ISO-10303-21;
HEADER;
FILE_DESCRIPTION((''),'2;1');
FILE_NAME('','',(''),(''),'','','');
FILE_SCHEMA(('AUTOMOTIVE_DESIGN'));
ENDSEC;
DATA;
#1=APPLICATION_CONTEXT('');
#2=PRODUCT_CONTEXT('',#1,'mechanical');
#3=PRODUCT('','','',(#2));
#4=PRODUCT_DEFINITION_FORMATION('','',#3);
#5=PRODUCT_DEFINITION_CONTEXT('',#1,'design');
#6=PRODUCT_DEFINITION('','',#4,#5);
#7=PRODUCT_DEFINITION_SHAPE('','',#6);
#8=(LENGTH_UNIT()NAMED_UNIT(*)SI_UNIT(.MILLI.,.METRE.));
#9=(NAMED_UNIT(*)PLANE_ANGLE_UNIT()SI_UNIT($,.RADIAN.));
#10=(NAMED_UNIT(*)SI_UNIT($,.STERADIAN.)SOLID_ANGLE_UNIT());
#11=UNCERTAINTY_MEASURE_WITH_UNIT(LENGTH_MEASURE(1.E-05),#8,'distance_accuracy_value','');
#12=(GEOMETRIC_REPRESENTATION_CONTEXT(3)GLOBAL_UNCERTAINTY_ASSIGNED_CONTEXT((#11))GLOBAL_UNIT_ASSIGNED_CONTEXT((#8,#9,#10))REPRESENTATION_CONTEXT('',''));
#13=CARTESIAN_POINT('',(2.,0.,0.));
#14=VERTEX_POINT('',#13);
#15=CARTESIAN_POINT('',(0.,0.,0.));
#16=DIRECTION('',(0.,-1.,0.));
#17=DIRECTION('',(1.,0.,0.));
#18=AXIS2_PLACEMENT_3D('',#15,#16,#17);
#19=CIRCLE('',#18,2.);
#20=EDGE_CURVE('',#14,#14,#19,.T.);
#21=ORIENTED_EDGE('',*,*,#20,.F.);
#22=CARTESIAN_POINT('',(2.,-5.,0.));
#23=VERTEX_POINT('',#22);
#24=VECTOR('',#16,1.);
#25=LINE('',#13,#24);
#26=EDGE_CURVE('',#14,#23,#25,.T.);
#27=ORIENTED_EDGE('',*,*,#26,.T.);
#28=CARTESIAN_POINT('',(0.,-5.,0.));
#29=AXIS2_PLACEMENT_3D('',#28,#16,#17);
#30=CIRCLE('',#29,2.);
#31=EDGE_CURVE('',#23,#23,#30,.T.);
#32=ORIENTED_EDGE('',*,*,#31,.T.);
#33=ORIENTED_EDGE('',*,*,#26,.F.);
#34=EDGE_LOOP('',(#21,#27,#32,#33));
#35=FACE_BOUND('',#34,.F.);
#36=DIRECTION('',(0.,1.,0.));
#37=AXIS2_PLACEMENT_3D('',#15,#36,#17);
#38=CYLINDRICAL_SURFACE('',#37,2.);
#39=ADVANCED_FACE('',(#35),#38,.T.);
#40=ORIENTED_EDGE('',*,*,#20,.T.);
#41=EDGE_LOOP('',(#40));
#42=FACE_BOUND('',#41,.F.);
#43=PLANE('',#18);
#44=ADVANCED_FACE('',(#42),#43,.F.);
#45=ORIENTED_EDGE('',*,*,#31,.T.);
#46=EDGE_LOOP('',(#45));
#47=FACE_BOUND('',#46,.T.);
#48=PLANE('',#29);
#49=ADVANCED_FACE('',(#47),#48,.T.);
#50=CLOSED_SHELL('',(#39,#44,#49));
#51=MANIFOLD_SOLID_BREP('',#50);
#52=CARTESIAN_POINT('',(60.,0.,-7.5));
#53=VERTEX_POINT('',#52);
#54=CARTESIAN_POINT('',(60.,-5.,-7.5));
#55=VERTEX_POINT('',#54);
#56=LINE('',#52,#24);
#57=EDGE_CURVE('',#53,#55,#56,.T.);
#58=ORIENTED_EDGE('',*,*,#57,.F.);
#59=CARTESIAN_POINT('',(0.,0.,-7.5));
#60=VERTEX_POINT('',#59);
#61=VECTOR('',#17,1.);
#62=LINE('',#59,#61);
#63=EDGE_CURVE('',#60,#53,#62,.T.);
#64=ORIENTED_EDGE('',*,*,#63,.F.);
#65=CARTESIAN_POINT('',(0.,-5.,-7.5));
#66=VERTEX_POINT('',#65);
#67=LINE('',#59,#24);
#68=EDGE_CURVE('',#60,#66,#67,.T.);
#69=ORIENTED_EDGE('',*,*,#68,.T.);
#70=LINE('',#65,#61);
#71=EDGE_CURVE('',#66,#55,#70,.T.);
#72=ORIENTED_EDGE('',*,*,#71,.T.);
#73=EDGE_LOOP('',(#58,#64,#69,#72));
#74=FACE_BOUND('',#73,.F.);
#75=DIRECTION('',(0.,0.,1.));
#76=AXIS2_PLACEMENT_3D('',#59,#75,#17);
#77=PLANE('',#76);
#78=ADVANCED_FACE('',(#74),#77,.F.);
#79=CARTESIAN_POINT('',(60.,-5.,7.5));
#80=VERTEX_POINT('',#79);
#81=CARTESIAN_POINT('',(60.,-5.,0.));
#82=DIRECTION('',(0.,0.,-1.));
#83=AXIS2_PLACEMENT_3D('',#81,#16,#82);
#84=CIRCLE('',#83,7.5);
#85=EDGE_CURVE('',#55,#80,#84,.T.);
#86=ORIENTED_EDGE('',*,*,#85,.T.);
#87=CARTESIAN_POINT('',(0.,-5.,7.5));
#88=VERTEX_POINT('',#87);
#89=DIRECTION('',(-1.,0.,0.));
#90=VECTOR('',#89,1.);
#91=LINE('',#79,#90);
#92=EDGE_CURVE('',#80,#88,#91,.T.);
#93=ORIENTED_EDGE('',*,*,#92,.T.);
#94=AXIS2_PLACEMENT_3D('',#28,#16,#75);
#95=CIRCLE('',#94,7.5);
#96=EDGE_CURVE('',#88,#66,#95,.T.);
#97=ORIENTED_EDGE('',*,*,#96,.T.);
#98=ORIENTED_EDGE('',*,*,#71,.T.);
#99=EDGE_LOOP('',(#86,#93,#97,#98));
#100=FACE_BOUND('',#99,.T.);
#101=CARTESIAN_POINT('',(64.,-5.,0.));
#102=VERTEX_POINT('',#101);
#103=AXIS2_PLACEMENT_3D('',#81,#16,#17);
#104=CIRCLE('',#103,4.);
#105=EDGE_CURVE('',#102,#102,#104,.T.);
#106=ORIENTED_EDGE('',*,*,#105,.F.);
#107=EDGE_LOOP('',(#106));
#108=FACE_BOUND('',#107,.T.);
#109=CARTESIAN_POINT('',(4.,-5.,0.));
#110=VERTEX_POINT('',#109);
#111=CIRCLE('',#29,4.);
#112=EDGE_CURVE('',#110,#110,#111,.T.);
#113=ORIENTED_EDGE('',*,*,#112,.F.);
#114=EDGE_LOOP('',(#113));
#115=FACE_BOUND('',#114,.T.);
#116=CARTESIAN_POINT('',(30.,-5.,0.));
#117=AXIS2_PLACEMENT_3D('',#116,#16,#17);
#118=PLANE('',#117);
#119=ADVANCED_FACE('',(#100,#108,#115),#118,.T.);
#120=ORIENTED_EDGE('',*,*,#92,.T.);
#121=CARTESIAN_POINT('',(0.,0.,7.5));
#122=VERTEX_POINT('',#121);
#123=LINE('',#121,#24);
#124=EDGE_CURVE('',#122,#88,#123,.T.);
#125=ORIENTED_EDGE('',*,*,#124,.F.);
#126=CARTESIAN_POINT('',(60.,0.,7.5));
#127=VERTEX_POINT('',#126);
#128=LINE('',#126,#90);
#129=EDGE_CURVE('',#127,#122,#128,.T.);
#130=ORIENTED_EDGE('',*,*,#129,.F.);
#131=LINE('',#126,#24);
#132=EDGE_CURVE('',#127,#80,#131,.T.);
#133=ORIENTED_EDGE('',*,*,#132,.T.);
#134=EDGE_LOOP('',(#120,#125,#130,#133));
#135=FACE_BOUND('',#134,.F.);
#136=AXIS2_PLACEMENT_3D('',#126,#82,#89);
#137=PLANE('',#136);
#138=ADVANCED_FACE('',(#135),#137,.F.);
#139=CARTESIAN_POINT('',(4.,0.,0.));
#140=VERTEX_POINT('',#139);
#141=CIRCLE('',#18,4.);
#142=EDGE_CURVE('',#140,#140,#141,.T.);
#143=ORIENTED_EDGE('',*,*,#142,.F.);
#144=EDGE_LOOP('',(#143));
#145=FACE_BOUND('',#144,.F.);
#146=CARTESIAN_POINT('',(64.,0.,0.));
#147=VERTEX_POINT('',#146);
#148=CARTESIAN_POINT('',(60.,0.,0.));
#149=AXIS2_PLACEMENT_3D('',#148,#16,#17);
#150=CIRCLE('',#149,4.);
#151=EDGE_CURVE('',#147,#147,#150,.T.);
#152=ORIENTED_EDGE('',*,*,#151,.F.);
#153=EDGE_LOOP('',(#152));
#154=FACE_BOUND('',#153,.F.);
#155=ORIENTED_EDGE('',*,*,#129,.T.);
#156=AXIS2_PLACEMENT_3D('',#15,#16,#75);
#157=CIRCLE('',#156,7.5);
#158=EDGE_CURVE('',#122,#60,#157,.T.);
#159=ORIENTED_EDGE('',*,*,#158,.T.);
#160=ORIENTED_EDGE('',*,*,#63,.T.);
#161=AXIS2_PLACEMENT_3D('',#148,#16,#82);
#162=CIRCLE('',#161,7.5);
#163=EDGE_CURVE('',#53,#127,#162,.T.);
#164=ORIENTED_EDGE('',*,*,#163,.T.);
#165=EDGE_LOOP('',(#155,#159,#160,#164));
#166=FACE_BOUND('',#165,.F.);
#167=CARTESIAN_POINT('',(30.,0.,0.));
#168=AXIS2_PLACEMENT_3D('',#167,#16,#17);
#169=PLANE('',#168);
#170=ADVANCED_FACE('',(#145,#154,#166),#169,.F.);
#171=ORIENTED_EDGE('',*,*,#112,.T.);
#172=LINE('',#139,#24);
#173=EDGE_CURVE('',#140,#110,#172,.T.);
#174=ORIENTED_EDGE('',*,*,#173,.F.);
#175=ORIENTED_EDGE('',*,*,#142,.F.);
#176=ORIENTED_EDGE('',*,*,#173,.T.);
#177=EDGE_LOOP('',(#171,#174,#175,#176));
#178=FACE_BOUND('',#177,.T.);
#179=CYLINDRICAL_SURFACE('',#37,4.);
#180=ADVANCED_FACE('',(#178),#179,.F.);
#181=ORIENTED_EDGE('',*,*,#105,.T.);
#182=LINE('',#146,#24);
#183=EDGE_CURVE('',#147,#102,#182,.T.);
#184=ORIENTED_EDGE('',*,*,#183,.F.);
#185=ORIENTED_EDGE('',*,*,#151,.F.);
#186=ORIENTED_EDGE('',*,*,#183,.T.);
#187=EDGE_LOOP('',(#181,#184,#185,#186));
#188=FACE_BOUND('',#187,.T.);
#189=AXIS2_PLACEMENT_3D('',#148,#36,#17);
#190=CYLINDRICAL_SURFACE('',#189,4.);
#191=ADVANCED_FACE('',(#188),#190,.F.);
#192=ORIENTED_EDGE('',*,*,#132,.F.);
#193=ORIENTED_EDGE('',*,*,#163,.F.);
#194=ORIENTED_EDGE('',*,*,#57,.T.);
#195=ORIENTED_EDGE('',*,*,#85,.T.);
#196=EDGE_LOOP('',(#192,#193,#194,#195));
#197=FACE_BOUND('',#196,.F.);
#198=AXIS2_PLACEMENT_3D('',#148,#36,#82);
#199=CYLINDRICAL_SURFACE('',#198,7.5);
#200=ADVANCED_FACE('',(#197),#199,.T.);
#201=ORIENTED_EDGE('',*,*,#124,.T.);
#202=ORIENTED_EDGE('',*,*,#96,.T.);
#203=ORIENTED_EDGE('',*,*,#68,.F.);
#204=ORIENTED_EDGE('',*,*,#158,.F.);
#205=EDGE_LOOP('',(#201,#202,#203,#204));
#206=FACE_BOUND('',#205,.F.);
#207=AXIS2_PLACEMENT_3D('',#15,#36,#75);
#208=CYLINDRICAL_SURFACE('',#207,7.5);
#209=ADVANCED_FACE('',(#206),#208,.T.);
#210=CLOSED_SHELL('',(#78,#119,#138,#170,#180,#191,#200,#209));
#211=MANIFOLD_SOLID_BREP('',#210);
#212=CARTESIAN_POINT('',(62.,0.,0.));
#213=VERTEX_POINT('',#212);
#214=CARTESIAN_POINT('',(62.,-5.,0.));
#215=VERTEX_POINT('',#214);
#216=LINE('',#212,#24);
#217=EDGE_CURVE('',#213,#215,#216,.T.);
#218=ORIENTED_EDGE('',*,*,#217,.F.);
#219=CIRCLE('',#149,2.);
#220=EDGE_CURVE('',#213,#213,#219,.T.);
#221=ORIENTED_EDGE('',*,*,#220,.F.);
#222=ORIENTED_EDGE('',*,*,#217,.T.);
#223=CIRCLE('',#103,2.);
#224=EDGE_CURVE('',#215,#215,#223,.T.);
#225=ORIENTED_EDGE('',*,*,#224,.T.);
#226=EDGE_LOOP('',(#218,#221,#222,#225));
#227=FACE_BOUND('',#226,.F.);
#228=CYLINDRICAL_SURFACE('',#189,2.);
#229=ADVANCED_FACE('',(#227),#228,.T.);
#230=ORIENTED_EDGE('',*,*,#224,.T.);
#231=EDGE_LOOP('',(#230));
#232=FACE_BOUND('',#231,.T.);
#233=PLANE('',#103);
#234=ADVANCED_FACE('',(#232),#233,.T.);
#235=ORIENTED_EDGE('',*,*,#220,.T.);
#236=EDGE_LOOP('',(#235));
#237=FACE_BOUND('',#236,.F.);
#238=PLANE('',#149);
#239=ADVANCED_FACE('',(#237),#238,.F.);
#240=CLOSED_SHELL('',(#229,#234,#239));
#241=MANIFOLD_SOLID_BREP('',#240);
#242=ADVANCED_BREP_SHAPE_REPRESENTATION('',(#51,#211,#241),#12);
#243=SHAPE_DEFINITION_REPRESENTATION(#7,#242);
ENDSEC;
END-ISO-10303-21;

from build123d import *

# Parameters (mm, degrees)
F0_R     = 2
F1_DEPTH = 5
F0_R_2   = 4


with BuildPart() as f1:
    # F0 (on Front) → F1 (new body)
    with BuildSketch(Plane.XZ):
        Circle(F0_R)
    extrude(amount=F1_DEPTH)


with BuildPart() as f1b:
    # F0 (on Front) → F1, piece 2 (new body)
    with BuildSketch(Plane.XZ):
        with Locations((60, 0)):
            Circle(F0_R)
    extrude(amount=F1_DEPTH)


with BuildPart() as f1c:
    # F0 (on Front) → F1, piece 3 (new body)
    with BuildSketch(Plane.XZ):
        with BuildLine():
            Line((60, 7.5), (0, 7.5))
            ThreePointArc((0, 7.5), (-7.5, 0), (0, -7.5))
            Line((0, -7.5), (60, -7.5))
            ThreePointArc((60, -7.5), (67.5, 0), (60, 7.5))
        make_face()
        Circle(F0_R_2, mode=Mode.SUBTRACT)
        with Locations((60, 0)):
            Circle(F0_R_2, mode=Mode.SUBTRACT)
    extrude(amount=F1_DEPTH)


solid = Compound([f1.part, f1b.part, f1c.part])
